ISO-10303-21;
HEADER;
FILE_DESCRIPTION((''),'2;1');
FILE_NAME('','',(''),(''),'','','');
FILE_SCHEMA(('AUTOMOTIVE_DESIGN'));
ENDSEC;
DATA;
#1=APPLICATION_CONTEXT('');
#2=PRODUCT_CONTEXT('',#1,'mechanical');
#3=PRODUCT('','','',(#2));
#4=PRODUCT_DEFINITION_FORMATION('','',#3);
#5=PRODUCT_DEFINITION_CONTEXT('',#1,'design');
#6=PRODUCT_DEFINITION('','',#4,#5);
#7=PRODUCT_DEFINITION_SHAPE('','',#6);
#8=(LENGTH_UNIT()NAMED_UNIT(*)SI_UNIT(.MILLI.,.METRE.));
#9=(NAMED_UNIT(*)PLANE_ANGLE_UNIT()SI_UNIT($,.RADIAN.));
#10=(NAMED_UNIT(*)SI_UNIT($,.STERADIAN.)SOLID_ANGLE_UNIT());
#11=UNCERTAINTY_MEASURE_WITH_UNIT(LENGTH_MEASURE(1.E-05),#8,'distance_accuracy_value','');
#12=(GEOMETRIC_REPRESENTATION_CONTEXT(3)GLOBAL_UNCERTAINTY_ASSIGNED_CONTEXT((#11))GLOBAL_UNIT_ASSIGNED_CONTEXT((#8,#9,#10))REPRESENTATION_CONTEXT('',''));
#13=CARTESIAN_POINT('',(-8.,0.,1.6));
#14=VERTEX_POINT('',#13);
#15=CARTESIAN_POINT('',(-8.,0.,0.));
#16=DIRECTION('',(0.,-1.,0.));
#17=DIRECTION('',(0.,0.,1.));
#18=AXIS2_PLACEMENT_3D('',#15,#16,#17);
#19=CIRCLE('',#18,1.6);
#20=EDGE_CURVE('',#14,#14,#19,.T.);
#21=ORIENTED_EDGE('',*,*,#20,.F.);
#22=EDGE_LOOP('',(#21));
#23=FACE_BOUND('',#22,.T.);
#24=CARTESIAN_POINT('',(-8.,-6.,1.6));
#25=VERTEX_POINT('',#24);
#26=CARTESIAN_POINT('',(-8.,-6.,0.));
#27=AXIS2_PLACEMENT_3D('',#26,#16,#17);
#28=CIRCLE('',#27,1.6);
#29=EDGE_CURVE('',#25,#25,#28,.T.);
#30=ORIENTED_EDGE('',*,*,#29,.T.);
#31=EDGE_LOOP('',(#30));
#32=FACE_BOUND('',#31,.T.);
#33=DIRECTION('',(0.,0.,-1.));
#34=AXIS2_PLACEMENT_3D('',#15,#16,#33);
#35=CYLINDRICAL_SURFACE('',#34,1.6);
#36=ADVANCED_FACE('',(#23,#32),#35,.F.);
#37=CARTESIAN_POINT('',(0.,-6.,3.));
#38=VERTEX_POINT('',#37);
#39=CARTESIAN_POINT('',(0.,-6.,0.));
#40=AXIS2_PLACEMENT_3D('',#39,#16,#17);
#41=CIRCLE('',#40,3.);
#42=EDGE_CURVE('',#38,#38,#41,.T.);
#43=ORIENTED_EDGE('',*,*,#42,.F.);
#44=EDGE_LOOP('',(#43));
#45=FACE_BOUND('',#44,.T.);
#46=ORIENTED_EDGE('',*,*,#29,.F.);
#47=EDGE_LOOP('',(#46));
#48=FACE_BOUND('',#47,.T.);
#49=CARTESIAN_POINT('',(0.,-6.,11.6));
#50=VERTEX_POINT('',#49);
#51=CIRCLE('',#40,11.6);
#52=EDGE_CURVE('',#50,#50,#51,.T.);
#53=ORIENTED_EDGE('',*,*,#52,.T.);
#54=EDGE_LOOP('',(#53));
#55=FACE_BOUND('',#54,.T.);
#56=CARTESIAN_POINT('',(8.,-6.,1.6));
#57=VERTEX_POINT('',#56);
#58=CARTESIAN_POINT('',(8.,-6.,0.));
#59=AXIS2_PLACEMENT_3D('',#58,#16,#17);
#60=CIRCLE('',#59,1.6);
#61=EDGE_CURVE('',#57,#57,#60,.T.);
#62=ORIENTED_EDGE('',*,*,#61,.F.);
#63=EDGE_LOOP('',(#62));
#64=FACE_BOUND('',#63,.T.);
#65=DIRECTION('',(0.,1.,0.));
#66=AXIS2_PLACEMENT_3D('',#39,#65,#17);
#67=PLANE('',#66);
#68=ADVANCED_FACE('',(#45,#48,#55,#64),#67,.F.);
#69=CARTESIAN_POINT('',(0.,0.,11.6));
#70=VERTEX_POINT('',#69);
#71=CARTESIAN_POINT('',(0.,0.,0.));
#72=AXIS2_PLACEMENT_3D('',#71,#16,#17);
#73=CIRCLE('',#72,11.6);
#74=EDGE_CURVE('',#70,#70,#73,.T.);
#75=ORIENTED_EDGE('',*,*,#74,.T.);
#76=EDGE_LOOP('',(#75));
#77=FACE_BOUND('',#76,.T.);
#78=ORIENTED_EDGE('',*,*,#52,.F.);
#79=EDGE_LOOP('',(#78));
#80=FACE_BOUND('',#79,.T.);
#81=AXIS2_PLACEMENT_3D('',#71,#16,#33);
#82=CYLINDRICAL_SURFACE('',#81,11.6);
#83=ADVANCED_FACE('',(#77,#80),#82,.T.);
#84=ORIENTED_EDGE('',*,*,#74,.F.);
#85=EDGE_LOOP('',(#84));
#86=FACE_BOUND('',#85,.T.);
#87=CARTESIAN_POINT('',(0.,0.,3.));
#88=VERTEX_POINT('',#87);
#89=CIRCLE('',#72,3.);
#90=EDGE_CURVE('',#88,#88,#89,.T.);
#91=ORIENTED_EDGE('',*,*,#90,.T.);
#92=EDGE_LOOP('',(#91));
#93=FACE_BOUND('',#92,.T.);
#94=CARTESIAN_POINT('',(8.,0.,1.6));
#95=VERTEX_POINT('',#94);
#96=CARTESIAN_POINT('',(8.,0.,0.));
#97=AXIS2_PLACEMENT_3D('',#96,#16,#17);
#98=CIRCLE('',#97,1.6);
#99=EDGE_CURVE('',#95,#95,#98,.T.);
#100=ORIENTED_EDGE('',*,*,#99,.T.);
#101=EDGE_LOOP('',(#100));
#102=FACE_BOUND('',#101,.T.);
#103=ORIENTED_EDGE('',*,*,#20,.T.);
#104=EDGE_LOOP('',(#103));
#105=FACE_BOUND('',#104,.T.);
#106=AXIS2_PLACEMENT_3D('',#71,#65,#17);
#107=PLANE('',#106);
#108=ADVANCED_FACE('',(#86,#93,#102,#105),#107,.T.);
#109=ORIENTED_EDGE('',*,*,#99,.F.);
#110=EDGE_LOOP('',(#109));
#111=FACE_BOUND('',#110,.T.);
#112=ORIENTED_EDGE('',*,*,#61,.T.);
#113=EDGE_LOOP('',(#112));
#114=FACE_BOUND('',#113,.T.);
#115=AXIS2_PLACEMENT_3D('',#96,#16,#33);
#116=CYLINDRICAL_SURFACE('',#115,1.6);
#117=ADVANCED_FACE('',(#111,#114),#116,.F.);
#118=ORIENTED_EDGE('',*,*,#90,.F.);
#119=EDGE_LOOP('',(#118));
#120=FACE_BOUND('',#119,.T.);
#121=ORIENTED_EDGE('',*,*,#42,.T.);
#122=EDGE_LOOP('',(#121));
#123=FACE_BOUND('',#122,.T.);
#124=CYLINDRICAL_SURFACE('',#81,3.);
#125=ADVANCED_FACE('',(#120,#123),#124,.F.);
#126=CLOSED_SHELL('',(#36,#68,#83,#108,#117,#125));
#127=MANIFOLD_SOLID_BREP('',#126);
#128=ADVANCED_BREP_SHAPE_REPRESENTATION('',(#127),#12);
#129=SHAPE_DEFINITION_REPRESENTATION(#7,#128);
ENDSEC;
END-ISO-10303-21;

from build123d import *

# Parameters (mm, degrees)
ESBO_O1_R                = 11.6
ESBO_O1_R_2              = 1.6
ESBO_O1_R_3              = 3
RESSALTO_EXTRUS_O1_DEPTH = 6


with BuildPart() as part:
    # Esboço1 → Ressalto-extrusão1 (new body)
    with BuildSketch(Plane.XZ.offset(6)):
        Circle(ESBO_O1_R)
        with Locations((8, 0)):
            Circle(ESBO_O1_R_2, mode=Mode.SUBTRACT)
        Circle(ESBO_O1_R_3, mode=Mode.SUBTRACT)
        with Locations((-8, 0)):
            Circle(ESBO_O1_R_2, mode=Mode.SUBTRACT)
    extrude(amount=-RESSALTO_EXTRUS_O1_DEPTH)


solid = part.part
